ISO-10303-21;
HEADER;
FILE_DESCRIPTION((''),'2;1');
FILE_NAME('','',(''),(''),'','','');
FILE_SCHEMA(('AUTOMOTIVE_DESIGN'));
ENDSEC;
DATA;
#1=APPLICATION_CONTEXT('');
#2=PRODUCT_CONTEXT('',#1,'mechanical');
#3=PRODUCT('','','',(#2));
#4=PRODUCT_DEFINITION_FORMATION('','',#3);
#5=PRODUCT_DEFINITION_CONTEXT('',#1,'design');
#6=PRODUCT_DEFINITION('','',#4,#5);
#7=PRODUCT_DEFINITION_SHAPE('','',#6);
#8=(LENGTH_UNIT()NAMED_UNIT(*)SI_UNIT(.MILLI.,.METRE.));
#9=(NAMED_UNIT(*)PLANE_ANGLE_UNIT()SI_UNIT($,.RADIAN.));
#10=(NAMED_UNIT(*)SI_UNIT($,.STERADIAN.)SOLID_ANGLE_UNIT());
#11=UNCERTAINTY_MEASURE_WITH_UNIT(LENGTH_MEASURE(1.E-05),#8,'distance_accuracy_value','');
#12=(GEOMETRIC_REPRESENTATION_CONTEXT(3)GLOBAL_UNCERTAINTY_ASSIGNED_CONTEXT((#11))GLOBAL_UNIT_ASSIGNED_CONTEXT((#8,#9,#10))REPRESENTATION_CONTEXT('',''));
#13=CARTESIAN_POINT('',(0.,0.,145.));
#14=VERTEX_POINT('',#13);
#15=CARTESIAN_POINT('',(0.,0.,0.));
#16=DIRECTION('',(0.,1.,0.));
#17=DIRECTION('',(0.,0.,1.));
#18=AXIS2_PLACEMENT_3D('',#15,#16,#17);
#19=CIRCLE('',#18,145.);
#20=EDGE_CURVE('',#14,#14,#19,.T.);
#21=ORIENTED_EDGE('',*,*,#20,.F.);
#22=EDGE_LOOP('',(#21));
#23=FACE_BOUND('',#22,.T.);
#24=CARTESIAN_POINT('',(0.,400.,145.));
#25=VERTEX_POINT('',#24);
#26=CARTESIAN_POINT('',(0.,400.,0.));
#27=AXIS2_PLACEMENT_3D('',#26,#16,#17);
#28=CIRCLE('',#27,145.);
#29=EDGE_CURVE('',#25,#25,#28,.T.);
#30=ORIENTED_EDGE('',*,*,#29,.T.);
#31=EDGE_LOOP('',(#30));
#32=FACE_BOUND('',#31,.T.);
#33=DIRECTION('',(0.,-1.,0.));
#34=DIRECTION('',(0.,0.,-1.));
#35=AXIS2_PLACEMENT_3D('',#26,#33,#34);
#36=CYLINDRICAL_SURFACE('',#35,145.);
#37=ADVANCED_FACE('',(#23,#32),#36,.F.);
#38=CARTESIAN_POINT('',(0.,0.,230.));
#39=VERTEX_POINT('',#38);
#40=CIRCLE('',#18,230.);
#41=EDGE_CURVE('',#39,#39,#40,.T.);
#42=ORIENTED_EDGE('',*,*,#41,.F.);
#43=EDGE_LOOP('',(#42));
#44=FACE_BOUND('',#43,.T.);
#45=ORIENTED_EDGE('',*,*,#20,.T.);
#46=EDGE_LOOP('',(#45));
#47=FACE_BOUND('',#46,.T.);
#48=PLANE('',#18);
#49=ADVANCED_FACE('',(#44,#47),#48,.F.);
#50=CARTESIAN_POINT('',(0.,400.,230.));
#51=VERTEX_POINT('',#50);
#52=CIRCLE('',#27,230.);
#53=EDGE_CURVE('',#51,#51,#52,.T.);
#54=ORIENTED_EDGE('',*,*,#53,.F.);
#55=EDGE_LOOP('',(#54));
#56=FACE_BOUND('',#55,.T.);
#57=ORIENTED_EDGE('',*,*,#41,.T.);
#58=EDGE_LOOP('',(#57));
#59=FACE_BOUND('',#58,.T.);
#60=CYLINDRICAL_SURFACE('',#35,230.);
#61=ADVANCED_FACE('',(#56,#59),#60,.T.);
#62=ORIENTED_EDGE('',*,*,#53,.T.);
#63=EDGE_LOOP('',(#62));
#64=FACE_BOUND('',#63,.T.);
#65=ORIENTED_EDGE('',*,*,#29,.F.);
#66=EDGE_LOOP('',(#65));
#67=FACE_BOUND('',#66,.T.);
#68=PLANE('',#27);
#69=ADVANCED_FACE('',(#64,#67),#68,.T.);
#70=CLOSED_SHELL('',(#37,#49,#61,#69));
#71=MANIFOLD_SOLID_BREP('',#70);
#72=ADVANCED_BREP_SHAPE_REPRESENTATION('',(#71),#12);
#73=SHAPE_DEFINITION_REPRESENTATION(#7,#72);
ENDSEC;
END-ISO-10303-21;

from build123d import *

# Parameters (mm, degrees)
SKETCH_1_R      = 230
SKETCH_1_R_2    = 145
EXTRUDE_1_DEPTH = 400


with BuildPart() as part:
    # 草图1 → 凸台-拉伸1 (new body)
    with BuildSketch(Plane(origin=(0, 0, 0), x_dir=(1, 0, 0), z_dir=(0, 1, 0))):
        with Locations(Location((0, 0, 0), (0, 0, 270))):
            Circle(SKETCH_1_R)
        with Locations(Location((0, 0, 0), (0, 0, 270))):
            Circle(SKETCH_1_R_2, mode=Mode.SUBTRACT)
    extrude(amount=EXTRUDE_1_DEPTH)


solid = part.part
